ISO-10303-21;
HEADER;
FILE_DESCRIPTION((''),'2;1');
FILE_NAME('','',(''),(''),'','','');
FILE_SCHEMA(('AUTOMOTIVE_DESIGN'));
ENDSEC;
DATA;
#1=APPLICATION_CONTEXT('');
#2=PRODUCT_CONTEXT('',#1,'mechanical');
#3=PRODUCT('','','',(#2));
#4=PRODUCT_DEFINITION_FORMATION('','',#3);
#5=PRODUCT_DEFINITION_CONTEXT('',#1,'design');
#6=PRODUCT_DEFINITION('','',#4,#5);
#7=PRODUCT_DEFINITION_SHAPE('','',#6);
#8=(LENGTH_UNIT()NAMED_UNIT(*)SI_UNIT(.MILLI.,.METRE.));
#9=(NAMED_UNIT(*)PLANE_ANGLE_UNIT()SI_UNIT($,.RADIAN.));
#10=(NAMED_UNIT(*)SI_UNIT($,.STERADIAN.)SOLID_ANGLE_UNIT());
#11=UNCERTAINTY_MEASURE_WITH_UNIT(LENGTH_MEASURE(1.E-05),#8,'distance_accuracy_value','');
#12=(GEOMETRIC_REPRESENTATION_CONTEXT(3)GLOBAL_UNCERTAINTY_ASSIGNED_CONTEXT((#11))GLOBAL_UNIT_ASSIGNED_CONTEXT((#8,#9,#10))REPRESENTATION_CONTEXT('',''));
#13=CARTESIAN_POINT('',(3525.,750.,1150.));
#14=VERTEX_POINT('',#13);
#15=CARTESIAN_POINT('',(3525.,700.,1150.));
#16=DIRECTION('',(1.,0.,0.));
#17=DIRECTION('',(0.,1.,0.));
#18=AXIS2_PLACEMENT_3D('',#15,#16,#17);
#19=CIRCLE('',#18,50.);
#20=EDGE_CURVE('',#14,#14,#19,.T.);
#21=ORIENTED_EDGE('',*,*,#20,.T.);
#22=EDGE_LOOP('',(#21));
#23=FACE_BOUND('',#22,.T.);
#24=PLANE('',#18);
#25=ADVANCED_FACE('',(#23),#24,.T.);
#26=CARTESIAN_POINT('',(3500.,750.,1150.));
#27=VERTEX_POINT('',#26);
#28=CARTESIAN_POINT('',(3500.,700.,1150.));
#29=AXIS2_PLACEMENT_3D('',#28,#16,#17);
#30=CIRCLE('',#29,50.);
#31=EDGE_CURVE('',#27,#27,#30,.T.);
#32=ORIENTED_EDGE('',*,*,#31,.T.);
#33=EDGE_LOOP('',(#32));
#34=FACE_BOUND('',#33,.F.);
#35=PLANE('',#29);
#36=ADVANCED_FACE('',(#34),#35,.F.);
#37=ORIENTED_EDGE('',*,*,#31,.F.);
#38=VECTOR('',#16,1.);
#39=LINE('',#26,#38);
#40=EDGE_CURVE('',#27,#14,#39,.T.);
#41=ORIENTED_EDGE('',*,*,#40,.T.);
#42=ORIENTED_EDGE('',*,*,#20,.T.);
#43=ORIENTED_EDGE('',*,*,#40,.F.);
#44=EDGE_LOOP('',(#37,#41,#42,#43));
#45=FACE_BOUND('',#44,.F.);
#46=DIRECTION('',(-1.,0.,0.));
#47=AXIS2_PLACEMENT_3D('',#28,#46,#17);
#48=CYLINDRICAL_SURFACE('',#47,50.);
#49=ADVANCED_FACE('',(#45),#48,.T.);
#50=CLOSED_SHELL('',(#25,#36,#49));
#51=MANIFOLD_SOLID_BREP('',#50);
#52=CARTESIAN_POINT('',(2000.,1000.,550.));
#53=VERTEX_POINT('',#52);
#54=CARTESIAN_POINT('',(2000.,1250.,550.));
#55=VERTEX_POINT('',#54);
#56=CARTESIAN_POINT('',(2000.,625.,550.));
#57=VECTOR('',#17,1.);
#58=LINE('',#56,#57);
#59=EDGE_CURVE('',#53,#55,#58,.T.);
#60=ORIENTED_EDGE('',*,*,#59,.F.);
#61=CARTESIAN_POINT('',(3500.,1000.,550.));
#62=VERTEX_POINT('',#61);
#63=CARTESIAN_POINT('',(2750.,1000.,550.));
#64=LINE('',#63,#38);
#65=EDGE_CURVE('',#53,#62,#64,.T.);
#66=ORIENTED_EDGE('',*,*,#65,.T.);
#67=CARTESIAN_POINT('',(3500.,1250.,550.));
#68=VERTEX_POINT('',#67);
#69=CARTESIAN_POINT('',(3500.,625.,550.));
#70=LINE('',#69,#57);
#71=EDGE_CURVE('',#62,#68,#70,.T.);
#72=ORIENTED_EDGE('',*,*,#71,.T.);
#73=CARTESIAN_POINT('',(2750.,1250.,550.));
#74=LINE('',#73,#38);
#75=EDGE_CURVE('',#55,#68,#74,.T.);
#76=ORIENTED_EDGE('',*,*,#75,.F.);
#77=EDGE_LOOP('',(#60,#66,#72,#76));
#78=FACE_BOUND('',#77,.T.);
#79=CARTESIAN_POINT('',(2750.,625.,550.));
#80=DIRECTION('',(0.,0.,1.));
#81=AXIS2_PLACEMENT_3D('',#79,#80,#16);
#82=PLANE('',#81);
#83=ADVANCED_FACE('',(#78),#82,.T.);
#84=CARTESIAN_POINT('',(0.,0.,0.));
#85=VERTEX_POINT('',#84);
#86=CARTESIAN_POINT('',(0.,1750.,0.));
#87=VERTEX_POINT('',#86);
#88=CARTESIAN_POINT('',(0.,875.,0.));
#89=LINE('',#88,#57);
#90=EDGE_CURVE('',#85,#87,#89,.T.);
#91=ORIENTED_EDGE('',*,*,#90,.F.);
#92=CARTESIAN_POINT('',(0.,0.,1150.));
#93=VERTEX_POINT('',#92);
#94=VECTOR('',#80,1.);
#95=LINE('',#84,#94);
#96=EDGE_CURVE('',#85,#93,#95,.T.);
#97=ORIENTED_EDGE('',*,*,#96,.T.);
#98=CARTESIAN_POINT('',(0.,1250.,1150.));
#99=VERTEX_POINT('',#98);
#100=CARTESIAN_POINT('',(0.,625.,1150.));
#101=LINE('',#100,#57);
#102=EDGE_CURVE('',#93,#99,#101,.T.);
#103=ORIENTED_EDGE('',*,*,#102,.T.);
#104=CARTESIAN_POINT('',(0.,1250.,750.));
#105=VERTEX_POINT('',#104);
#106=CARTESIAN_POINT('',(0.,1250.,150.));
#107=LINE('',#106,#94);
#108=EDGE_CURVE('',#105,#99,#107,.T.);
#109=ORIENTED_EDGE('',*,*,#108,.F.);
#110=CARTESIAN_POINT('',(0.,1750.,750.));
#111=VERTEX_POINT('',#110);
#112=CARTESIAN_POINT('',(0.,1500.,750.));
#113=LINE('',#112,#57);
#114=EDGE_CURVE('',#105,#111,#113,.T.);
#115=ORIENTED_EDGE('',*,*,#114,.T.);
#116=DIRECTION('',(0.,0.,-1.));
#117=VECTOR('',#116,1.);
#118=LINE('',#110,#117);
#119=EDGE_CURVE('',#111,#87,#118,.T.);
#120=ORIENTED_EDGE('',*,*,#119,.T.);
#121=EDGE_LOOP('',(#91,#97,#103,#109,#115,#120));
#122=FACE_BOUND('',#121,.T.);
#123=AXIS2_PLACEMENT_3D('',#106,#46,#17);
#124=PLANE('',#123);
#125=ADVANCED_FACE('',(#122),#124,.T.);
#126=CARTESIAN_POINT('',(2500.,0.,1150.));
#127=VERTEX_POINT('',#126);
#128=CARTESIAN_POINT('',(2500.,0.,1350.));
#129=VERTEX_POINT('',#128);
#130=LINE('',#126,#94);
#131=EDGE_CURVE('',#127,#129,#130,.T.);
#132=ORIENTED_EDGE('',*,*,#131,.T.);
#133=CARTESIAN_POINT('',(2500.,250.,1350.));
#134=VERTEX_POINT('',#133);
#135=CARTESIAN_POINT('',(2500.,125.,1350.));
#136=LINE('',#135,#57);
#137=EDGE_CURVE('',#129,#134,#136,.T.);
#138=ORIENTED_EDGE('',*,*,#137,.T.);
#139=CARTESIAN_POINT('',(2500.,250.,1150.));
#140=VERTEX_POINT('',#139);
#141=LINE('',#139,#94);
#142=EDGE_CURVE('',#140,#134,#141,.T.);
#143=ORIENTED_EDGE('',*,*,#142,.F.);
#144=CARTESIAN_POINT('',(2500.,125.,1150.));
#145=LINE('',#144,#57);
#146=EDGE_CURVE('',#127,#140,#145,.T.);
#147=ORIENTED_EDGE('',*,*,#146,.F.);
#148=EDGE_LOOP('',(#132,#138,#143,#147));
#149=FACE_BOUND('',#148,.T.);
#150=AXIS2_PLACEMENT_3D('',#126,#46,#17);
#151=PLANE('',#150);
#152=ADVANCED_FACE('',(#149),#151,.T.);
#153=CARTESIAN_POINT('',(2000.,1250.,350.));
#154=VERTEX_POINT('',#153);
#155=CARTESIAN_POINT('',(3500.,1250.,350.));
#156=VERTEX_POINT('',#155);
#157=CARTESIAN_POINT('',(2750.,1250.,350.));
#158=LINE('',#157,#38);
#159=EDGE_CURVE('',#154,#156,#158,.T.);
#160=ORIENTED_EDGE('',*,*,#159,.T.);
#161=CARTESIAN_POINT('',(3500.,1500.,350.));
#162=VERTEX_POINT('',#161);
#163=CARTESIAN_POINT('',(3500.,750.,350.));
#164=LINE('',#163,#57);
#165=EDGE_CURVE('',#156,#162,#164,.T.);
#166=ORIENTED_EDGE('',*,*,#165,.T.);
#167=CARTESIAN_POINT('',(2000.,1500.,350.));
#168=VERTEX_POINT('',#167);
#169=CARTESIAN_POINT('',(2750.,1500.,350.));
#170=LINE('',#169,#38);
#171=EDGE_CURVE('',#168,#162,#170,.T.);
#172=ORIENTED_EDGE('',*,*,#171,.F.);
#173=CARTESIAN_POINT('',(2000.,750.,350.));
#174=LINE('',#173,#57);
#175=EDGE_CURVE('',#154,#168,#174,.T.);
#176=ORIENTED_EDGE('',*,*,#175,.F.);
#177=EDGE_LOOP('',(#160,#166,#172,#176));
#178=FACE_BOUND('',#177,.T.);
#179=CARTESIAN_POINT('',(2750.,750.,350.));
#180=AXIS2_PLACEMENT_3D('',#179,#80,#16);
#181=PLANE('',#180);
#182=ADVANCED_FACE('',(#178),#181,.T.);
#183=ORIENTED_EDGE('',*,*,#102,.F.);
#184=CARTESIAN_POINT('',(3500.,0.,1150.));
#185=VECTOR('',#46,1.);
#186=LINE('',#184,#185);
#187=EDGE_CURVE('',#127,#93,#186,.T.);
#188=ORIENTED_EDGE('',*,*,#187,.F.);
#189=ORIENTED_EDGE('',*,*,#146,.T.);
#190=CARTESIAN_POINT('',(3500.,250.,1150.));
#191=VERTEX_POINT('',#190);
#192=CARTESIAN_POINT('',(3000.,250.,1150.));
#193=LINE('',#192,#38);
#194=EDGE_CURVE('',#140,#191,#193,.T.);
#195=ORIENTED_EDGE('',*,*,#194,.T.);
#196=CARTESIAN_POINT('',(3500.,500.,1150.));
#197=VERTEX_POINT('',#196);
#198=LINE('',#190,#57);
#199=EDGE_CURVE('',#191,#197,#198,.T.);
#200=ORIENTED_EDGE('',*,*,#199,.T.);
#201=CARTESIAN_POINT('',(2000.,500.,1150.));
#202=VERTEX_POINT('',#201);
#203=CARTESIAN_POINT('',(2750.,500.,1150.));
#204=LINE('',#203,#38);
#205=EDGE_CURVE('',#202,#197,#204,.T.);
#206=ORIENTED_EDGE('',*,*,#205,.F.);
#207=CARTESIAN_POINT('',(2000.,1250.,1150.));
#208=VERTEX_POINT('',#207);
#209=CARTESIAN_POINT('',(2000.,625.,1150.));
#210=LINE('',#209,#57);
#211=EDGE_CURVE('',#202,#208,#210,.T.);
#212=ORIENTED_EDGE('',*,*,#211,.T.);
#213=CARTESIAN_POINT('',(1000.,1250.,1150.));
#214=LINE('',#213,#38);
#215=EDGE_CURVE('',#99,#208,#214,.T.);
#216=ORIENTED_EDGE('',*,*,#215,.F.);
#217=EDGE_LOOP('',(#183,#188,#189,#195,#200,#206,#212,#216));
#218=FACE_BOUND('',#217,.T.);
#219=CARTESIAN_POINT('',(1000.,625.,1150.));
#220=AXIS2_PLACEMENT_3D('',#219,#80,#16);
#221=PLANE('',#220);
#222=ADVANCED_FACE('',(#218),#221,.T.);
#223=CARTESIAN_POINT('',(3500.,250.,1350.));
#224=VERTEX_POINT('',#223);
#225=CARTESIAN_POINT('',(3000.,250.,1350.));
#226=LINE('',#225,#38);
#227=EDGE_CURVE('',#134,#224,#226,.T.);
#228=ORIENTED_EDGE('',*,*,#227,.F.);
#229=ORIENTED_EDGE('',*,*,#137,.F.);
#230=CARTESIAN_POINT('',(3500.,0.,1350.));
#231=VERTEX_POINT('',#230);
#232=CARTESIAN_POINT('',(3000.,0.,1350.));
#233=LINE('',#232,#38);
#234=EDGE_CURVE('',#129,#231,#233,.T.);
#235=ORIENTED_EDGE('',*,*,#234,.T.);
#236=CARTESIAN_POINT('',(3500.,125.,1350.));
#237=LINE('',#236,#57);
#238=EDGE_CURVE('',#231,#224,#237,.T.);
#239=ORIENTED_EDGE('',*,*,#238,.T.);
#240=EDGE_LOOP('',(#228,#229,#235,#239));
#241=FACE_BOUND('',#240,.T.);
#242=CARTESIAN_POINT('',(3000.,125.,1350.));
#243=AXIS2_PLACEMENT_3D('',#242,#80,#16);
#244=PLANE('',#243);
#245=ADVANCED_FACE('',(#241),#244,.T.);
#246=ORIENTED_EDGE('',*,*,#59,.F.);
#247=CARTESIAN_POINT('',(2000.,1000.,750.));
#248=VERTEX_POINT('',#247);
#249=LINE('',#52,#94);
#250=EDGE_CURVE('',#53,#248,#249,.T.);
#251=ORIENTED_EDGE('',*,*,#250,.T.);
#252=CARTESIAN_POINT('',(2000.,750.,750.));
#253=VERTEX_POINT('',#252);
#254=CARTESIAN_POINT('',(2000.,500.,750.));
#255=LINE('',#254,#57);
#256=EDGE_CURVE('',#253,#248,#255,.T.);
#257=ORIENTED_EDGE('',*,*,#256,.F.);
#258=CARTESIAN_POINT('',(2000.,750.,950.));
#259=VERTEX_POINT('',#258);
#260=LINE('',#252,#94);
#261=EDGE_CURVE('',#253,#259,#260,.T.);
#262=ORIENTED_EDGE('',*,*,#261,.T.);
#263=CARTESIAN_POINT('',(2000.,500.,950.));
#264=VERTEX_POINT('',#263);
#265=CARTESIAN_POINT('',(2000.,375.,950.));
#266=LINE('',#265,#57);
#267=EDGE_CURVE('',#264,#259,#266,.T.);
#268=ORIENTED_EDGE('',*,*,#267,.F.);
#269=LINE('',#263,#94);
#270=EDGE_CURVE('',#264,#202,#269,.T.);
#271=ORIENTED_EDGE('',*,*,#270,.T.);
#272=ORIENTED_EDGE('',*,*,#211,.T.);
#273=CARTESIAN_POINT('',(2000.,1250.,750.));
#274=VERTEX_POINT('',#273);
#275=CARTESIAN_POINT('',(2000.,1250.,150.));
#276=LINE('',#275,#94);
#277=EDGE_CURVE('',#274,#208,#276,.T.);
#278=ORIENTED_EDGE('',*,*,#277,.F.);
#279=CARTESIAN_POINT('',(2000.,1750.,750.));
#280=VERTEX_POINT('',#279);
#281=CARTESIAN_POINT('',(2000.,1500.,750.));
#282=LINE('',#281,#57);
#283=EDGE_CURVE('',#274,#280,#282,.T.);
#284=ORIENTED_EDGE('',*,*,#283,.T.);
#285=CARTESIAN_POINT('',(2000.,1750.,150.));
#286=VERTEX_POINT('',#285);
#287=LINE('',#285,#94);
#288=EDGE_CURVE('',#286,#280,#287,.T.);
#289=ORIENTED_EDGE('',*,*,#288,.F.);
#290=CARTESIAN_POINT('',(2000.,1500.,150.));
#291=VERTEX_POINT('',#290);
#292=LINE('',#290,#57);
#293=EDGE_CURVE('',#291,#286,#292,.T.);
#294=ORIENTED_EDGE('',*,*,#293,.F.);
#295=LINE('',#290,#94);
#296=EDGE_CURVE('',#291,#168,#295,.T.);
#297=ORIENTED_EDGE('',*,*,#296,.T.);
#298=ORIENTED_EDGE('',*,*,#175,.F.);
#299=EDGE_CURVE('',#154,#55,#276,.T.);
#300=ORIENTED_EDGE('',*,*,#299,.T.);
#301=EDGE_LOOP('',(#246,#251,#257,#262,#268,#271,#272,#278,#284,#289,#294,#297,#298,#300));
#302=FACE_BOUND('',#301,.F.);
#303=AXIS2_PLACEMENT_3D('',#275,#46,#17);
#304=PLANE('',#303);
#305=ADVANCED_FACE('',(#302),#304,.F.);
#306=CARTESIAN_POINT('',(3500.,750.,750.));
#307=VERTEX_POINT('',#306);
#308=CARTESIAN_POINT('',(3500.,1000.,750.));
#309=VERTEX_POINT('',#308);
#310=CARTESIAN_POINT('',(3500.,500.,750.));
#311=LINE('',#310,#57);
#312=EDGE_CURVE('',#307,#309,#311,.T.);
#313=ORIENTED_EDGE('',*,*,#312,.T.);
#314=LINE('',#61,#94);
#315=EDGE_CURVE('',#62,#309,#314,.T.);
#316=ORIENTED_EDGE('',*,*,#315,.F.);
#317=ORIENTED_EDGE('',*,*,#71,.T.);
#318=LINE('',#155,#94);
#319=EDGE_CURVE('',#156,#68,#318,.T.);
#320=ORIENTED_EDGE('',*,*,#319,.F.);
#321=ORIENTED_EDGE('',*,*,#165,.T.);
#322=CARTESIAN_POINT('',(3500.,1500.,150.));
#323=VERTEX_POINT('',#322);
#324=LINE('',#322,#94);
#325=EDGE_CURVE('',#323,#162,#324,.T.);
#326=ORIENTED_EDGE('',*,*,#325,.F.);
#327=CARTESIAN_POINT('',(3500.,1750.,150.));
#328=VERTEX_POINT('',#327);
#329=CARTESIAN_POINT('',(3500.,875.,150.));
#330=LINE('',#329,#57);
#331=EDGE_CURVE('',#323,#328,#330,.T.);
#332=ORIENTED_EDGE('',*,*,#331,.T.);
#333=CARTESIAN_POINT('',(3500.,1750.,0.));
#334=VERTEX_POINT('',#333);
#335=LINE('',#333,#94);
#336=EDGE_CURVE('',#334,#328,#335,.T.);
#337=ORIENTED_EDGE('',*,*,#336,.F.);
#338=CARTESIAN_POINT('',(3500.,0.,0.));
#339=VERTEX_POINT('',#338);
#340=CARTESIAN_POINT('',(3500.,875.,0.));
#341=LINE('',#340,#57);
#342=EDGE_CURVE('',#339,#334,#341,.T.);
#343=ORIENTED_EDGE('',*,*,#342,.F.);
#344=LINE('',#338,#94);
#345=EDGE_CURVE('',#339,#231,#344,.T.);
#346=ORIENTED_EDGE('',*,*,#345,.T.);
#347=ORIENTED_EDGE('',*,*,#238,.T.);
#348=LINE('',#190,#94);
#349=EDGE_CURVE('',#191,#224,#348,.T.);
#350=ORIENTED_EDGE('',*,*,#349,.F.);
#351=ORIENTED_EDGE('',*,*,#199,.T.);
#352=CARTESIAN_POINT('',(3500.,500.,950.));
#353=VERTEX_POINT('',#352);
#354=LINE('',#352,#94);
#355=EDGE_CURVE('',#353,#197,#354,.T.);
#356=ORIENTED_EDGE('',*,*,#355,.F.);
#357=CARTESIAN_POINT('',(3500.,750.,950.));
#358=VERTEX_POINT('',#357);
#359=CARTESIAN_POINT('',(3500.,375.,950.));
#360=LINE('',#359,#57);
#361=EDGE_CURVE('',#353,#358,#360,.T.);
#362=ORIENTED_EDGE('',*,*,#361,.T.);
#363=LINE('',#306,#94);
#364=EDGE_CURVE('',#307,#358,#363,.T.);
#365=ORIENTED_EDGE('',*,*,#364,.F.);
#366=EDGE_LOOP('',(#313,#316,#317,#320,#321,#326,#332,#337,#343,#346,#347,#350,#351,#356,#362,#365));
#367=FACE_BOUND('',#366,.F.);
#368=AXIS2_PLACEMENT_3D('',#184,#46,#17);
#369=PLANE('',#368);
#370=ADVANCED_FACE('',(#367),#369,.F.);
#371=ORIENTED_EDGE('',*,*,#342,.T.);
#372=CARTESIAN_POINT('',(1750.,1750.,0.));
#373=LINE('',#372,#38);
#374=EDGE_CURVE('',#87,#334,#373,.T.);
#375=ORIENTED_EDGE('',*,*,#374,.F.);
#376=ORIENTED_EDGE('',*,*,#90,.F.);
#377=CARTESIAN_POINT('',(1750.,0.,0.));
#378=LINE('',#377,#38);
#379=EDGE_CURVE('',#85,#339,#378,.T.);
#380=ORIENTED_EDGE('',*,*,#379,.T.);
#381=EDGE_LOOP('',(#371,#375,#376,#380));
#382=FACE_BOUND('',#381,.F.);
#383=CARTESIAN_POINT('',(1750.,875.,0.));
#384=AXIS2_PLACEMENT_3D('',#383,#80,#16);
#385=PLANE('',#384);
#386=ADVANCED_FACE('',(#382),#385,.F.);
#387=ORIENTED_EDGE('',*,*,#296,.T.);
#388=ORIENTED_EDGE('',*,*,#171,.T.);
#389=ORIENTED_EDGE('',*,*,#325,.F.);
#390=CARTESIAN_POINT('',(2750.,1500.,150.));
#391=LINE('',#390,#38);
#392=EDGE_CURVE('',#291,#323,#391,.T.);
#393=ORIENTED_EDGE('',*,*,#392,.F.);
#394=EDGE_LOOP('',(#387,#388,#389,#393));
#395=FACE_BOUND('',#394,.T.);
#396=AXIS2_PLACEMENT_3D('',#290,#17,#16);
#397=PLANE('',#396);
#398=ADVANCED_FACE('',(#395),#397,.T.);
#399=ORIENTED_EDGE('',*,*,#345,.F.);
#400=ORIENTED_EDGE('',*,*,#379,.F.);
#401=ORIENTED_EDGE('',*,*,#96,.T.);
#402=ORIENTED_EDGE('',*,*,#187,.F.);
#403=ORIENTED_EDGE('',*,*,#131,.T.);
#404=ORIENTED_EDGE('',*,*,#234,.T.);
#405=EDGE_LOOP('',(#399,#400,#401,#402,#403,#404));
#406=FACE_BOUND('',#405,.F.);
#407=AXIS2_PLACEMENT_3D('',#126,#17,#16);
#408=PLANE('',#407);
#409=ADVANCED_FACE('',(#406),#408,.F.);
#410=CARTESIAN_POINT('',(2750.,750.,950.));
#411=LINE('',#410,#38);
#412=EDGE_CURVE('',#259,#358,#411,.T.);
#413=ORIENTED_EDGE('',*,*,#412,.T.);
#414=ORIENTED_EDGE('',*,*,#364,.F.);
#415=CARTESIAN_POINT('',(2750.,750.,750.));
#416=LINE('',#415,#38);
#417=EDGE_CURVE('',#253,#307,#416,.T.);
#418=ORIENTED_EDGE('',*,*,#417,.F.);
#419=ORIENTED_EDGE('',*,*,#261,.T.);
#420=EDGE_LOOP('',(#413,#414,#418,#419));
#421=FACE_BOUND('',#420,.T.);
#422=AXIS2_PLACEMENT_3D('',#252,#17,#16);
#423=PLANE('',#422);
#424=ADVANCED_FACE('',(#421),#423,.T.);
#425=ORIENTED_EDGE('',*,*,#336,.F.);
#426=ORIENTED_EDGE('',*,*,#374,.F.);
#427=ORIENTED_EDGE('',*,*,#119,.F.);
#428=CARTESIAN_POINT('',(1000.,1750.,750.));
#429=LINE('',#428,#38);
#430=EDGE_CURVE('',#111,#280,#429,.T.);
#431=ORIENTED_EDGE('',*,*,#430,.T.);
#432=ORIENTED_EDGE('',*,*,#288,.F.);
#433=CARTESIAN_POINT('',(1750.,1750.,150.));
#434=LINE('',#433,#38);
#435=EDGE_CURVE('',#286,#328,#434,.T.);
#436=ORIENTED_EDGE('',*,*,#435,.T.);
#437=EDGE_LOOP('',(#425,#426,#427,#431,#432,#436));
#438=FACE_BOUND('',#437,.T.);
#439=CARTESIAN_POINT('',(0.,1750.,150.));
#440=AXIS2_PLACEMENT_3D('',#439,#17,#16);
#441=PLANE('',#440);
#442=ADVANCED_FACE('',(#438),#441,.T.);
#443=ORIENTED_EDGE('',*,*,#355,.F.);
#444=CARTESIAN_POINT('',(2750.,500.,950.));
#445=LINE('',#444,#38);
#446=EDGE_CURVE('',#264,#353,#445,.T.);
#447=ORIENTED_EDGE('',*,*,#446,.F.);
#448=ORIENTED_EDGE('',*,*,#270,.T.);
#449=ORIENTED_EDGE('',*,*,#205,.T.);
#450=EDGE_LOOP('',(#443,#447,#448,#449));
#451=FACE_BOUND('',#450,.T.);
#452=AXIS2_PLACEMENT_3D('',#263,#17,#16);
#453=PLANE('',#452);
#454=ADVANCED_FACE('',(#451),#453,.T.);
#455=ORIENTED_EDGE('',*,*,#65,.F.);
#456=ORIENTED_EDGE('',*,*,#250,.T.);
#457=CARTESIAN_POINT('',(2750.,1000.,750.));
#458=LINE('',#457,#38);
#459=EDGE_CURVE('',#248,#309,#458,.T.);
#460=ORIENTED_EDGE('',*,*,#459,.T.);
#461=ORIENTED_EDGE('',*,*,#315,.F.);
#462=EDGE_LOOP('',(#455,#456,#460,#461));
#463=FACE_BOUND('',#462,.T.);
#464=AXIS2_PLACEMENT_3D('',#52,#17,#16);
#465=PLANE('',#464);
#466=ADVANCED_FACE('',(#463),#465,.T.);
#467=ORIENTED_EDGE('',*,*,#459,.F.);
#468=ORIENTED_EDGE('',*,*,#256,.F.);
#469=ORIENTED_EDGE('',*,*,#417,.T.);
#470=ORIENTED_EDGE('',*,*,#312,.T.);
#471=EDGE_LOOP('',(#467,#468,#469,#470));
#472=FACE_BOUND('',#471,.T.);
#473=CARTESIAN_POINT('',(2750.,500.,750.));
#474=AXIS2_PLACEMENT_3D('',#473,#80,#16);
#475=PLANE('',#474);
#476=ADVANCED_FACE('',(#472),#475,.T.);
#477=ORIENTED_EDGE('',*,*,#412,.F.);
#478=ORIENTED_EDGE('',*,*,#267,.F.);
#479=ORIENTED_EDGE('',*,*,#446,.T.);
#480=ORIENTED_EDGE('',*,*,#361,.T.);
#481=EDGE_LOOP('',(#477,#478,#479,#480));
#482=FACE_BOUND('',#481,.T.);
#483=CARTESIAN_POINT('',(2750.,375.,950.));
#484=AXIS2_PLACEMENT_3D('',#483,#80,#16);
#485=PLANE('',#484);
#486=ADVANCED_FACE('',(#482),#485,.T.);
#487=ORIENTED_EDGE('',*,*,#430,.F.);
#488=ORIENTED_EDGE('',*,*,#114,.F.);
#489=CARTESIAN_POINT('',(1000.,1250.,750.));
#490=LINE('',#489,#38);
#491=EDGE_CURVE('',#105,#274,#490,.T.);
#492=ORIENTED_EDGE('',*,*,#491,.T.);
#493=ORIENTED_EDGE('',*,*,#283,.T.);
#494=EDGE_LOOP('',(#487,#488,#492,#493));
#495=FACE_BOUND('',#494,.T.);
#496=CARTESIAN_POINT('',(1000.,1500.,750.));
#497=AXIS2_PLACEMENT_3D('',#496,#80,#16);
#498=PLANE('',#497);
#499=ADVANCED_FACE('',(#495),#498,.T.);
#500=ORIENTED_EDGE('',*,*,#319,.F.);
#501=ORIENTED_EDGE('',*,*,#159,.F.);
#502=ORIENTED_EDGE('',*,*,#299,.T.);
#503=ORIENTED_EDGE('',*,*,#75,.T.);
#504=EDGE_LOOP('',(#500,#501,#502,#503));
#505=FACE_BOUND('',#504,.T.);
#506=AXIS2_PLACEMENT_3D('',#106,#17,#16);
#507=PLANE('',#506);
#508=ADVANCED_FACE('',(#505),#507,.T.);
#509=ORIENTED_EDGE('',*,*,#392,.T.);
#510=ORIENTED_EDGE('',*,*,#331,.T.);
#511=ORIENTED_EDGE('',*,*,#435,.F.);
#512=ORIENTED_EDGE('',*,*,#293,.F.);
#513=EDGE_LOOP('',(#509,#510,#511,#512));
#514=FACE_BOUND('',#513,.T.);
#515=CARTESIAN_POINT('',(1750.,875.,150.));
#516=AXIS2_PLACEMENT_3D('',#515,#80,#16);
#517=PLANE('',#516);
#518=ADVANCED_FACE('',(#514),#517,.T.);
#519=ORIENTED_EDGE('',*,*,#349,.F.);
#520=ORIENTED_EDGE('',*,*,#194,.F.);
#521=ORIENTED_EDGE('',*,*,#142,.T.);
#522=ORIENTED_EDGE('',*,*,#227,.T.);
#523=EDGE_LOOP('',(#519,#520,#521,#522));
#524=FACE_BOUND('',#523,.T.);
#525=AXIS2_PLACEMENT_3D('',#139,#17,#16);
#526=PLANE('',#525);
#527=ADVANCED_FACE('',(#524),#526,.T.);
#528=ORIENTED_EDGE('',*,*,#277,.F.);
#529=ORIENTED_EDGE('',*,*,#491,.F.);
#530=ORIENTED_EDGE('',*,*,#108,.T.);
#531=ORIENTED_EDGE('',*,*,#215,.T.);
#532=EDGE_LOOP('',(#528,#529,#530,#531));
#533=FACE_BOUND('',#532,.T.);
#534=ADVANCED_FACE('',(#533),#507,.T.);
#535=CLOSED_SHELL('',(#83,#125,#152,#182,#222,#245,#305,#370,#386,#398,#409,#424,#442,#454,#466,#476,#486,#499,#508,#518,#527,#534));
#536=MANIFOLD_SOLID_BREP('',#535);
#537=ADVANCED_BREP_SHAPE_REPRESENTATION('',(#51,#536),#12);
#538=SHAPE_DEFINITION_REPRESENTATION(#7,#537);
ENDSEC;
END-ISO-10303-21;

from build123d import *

# Parameters (mm, degrees)
F0_W      = 3500
F0_H      = 1750
F1_DEPTH  = 150
F2_W      = 1500
F2_H      = 1500
F3_DEPTH  = 200
F4_W      = 1500
F4_H      = 1250
F5_DEPTH  = 200
F6_W      = 1500
F6_H      = 1000
F7_DEPTH  = 200
F8_W      = 1500
F8_H      = 750
F9_DEPTH  = 200
F10_W     = 1500
F10_H     = 500
F11_DEPTH = 200
F12_R     = 50
F13_DEPTH = 25
F14_W     = 2000
F14_H     = 1250
F15_DEPTH = 1000
F16_W     = 2000
F16_H     = 500
F17_DEPTH = 600
F18_W     = 1000
F18_H     = 250
F19_DEPTH = 200


with BuildPart() as f1:
    # F0 (on Top) → F1 (new body)
    with BuildSketch(Plane.XY):
        with Locations((1750, 875)):
            Rectangle(F0_W, F0_H)
    extrude(amount=F1_DEPTH)

    # F2 (on face) → F3 (join)
    with BuildSketch(Plane.XY.offset(150)):
        with Locations((2750, 750)):
            Rectangle(F2_W, F2_H)
    extrude(amount=F3_DEPTH)

    # F4 (on face) → F5 (join)
    with BuildSketch(Plane.XY.offset(350)):
        with Locations((2750, 625)):
            Rectangle(F4_W, F4_H)
    extrude(amount=F5_DEPTH)

    # F6 (on face) → F7 (join)
    with BuildSketch(Plane.XY.offset(550)):
        with Locations((2750, 500)):
            Rectangle(F6_W, F6_H)
    extrude(amount=F7_DEPTH)

    # F8 (on face) → F9 (join)
    with BuildSketch(Plane.XY.offset(750)):
        with Locations((2750, 375)):
            Rectangle(F8_W, F8_H)
    extrude(amount=F9_DEPTH)

    # F10 (on face) → F11 (join)
    with BuildSketch(Plane.XY.offset(950)):
        with Locations((2750, 250)):
            Rectangle(F10_W, F10_H)
    extrude(amount=F11_DEPTH)

    # F14 (on face) → F15 (join)
    with BuildSketch(Plane.XY.offset(150)):
        with Locations((1000, 625)):
            Rectangle(F14_W, F14_H)
    extrude(amount=F15_DEPTH)

    # F16 (on face) → F17 (join)
    with BuildSketch(Plane.XY.offset(150)):
        with Locations((1000, 1500)):
            Rectangle(F16_W, F16_H)
    extrude(amount=F17_DEPTH)

    # F18 (on face) → F19 (join)
    with BuildSketch(Plane.XY.offset(1150)):
        with Locations((3000, 125)):
            Rectangle(F18_W, F18_H)
    extrude(amount=F19_DEPTH)


with BuildPart() as f13:
    # F12 (on face) → F13 (new body)
    with BuildSketch(Plane.YZ.offset(3500)):
        with Locations((700, 1150)):
            Circle(F12_R)
    extrude(amount=F13_DEPTH)


solid = Compound([f1.part, f13.part])
